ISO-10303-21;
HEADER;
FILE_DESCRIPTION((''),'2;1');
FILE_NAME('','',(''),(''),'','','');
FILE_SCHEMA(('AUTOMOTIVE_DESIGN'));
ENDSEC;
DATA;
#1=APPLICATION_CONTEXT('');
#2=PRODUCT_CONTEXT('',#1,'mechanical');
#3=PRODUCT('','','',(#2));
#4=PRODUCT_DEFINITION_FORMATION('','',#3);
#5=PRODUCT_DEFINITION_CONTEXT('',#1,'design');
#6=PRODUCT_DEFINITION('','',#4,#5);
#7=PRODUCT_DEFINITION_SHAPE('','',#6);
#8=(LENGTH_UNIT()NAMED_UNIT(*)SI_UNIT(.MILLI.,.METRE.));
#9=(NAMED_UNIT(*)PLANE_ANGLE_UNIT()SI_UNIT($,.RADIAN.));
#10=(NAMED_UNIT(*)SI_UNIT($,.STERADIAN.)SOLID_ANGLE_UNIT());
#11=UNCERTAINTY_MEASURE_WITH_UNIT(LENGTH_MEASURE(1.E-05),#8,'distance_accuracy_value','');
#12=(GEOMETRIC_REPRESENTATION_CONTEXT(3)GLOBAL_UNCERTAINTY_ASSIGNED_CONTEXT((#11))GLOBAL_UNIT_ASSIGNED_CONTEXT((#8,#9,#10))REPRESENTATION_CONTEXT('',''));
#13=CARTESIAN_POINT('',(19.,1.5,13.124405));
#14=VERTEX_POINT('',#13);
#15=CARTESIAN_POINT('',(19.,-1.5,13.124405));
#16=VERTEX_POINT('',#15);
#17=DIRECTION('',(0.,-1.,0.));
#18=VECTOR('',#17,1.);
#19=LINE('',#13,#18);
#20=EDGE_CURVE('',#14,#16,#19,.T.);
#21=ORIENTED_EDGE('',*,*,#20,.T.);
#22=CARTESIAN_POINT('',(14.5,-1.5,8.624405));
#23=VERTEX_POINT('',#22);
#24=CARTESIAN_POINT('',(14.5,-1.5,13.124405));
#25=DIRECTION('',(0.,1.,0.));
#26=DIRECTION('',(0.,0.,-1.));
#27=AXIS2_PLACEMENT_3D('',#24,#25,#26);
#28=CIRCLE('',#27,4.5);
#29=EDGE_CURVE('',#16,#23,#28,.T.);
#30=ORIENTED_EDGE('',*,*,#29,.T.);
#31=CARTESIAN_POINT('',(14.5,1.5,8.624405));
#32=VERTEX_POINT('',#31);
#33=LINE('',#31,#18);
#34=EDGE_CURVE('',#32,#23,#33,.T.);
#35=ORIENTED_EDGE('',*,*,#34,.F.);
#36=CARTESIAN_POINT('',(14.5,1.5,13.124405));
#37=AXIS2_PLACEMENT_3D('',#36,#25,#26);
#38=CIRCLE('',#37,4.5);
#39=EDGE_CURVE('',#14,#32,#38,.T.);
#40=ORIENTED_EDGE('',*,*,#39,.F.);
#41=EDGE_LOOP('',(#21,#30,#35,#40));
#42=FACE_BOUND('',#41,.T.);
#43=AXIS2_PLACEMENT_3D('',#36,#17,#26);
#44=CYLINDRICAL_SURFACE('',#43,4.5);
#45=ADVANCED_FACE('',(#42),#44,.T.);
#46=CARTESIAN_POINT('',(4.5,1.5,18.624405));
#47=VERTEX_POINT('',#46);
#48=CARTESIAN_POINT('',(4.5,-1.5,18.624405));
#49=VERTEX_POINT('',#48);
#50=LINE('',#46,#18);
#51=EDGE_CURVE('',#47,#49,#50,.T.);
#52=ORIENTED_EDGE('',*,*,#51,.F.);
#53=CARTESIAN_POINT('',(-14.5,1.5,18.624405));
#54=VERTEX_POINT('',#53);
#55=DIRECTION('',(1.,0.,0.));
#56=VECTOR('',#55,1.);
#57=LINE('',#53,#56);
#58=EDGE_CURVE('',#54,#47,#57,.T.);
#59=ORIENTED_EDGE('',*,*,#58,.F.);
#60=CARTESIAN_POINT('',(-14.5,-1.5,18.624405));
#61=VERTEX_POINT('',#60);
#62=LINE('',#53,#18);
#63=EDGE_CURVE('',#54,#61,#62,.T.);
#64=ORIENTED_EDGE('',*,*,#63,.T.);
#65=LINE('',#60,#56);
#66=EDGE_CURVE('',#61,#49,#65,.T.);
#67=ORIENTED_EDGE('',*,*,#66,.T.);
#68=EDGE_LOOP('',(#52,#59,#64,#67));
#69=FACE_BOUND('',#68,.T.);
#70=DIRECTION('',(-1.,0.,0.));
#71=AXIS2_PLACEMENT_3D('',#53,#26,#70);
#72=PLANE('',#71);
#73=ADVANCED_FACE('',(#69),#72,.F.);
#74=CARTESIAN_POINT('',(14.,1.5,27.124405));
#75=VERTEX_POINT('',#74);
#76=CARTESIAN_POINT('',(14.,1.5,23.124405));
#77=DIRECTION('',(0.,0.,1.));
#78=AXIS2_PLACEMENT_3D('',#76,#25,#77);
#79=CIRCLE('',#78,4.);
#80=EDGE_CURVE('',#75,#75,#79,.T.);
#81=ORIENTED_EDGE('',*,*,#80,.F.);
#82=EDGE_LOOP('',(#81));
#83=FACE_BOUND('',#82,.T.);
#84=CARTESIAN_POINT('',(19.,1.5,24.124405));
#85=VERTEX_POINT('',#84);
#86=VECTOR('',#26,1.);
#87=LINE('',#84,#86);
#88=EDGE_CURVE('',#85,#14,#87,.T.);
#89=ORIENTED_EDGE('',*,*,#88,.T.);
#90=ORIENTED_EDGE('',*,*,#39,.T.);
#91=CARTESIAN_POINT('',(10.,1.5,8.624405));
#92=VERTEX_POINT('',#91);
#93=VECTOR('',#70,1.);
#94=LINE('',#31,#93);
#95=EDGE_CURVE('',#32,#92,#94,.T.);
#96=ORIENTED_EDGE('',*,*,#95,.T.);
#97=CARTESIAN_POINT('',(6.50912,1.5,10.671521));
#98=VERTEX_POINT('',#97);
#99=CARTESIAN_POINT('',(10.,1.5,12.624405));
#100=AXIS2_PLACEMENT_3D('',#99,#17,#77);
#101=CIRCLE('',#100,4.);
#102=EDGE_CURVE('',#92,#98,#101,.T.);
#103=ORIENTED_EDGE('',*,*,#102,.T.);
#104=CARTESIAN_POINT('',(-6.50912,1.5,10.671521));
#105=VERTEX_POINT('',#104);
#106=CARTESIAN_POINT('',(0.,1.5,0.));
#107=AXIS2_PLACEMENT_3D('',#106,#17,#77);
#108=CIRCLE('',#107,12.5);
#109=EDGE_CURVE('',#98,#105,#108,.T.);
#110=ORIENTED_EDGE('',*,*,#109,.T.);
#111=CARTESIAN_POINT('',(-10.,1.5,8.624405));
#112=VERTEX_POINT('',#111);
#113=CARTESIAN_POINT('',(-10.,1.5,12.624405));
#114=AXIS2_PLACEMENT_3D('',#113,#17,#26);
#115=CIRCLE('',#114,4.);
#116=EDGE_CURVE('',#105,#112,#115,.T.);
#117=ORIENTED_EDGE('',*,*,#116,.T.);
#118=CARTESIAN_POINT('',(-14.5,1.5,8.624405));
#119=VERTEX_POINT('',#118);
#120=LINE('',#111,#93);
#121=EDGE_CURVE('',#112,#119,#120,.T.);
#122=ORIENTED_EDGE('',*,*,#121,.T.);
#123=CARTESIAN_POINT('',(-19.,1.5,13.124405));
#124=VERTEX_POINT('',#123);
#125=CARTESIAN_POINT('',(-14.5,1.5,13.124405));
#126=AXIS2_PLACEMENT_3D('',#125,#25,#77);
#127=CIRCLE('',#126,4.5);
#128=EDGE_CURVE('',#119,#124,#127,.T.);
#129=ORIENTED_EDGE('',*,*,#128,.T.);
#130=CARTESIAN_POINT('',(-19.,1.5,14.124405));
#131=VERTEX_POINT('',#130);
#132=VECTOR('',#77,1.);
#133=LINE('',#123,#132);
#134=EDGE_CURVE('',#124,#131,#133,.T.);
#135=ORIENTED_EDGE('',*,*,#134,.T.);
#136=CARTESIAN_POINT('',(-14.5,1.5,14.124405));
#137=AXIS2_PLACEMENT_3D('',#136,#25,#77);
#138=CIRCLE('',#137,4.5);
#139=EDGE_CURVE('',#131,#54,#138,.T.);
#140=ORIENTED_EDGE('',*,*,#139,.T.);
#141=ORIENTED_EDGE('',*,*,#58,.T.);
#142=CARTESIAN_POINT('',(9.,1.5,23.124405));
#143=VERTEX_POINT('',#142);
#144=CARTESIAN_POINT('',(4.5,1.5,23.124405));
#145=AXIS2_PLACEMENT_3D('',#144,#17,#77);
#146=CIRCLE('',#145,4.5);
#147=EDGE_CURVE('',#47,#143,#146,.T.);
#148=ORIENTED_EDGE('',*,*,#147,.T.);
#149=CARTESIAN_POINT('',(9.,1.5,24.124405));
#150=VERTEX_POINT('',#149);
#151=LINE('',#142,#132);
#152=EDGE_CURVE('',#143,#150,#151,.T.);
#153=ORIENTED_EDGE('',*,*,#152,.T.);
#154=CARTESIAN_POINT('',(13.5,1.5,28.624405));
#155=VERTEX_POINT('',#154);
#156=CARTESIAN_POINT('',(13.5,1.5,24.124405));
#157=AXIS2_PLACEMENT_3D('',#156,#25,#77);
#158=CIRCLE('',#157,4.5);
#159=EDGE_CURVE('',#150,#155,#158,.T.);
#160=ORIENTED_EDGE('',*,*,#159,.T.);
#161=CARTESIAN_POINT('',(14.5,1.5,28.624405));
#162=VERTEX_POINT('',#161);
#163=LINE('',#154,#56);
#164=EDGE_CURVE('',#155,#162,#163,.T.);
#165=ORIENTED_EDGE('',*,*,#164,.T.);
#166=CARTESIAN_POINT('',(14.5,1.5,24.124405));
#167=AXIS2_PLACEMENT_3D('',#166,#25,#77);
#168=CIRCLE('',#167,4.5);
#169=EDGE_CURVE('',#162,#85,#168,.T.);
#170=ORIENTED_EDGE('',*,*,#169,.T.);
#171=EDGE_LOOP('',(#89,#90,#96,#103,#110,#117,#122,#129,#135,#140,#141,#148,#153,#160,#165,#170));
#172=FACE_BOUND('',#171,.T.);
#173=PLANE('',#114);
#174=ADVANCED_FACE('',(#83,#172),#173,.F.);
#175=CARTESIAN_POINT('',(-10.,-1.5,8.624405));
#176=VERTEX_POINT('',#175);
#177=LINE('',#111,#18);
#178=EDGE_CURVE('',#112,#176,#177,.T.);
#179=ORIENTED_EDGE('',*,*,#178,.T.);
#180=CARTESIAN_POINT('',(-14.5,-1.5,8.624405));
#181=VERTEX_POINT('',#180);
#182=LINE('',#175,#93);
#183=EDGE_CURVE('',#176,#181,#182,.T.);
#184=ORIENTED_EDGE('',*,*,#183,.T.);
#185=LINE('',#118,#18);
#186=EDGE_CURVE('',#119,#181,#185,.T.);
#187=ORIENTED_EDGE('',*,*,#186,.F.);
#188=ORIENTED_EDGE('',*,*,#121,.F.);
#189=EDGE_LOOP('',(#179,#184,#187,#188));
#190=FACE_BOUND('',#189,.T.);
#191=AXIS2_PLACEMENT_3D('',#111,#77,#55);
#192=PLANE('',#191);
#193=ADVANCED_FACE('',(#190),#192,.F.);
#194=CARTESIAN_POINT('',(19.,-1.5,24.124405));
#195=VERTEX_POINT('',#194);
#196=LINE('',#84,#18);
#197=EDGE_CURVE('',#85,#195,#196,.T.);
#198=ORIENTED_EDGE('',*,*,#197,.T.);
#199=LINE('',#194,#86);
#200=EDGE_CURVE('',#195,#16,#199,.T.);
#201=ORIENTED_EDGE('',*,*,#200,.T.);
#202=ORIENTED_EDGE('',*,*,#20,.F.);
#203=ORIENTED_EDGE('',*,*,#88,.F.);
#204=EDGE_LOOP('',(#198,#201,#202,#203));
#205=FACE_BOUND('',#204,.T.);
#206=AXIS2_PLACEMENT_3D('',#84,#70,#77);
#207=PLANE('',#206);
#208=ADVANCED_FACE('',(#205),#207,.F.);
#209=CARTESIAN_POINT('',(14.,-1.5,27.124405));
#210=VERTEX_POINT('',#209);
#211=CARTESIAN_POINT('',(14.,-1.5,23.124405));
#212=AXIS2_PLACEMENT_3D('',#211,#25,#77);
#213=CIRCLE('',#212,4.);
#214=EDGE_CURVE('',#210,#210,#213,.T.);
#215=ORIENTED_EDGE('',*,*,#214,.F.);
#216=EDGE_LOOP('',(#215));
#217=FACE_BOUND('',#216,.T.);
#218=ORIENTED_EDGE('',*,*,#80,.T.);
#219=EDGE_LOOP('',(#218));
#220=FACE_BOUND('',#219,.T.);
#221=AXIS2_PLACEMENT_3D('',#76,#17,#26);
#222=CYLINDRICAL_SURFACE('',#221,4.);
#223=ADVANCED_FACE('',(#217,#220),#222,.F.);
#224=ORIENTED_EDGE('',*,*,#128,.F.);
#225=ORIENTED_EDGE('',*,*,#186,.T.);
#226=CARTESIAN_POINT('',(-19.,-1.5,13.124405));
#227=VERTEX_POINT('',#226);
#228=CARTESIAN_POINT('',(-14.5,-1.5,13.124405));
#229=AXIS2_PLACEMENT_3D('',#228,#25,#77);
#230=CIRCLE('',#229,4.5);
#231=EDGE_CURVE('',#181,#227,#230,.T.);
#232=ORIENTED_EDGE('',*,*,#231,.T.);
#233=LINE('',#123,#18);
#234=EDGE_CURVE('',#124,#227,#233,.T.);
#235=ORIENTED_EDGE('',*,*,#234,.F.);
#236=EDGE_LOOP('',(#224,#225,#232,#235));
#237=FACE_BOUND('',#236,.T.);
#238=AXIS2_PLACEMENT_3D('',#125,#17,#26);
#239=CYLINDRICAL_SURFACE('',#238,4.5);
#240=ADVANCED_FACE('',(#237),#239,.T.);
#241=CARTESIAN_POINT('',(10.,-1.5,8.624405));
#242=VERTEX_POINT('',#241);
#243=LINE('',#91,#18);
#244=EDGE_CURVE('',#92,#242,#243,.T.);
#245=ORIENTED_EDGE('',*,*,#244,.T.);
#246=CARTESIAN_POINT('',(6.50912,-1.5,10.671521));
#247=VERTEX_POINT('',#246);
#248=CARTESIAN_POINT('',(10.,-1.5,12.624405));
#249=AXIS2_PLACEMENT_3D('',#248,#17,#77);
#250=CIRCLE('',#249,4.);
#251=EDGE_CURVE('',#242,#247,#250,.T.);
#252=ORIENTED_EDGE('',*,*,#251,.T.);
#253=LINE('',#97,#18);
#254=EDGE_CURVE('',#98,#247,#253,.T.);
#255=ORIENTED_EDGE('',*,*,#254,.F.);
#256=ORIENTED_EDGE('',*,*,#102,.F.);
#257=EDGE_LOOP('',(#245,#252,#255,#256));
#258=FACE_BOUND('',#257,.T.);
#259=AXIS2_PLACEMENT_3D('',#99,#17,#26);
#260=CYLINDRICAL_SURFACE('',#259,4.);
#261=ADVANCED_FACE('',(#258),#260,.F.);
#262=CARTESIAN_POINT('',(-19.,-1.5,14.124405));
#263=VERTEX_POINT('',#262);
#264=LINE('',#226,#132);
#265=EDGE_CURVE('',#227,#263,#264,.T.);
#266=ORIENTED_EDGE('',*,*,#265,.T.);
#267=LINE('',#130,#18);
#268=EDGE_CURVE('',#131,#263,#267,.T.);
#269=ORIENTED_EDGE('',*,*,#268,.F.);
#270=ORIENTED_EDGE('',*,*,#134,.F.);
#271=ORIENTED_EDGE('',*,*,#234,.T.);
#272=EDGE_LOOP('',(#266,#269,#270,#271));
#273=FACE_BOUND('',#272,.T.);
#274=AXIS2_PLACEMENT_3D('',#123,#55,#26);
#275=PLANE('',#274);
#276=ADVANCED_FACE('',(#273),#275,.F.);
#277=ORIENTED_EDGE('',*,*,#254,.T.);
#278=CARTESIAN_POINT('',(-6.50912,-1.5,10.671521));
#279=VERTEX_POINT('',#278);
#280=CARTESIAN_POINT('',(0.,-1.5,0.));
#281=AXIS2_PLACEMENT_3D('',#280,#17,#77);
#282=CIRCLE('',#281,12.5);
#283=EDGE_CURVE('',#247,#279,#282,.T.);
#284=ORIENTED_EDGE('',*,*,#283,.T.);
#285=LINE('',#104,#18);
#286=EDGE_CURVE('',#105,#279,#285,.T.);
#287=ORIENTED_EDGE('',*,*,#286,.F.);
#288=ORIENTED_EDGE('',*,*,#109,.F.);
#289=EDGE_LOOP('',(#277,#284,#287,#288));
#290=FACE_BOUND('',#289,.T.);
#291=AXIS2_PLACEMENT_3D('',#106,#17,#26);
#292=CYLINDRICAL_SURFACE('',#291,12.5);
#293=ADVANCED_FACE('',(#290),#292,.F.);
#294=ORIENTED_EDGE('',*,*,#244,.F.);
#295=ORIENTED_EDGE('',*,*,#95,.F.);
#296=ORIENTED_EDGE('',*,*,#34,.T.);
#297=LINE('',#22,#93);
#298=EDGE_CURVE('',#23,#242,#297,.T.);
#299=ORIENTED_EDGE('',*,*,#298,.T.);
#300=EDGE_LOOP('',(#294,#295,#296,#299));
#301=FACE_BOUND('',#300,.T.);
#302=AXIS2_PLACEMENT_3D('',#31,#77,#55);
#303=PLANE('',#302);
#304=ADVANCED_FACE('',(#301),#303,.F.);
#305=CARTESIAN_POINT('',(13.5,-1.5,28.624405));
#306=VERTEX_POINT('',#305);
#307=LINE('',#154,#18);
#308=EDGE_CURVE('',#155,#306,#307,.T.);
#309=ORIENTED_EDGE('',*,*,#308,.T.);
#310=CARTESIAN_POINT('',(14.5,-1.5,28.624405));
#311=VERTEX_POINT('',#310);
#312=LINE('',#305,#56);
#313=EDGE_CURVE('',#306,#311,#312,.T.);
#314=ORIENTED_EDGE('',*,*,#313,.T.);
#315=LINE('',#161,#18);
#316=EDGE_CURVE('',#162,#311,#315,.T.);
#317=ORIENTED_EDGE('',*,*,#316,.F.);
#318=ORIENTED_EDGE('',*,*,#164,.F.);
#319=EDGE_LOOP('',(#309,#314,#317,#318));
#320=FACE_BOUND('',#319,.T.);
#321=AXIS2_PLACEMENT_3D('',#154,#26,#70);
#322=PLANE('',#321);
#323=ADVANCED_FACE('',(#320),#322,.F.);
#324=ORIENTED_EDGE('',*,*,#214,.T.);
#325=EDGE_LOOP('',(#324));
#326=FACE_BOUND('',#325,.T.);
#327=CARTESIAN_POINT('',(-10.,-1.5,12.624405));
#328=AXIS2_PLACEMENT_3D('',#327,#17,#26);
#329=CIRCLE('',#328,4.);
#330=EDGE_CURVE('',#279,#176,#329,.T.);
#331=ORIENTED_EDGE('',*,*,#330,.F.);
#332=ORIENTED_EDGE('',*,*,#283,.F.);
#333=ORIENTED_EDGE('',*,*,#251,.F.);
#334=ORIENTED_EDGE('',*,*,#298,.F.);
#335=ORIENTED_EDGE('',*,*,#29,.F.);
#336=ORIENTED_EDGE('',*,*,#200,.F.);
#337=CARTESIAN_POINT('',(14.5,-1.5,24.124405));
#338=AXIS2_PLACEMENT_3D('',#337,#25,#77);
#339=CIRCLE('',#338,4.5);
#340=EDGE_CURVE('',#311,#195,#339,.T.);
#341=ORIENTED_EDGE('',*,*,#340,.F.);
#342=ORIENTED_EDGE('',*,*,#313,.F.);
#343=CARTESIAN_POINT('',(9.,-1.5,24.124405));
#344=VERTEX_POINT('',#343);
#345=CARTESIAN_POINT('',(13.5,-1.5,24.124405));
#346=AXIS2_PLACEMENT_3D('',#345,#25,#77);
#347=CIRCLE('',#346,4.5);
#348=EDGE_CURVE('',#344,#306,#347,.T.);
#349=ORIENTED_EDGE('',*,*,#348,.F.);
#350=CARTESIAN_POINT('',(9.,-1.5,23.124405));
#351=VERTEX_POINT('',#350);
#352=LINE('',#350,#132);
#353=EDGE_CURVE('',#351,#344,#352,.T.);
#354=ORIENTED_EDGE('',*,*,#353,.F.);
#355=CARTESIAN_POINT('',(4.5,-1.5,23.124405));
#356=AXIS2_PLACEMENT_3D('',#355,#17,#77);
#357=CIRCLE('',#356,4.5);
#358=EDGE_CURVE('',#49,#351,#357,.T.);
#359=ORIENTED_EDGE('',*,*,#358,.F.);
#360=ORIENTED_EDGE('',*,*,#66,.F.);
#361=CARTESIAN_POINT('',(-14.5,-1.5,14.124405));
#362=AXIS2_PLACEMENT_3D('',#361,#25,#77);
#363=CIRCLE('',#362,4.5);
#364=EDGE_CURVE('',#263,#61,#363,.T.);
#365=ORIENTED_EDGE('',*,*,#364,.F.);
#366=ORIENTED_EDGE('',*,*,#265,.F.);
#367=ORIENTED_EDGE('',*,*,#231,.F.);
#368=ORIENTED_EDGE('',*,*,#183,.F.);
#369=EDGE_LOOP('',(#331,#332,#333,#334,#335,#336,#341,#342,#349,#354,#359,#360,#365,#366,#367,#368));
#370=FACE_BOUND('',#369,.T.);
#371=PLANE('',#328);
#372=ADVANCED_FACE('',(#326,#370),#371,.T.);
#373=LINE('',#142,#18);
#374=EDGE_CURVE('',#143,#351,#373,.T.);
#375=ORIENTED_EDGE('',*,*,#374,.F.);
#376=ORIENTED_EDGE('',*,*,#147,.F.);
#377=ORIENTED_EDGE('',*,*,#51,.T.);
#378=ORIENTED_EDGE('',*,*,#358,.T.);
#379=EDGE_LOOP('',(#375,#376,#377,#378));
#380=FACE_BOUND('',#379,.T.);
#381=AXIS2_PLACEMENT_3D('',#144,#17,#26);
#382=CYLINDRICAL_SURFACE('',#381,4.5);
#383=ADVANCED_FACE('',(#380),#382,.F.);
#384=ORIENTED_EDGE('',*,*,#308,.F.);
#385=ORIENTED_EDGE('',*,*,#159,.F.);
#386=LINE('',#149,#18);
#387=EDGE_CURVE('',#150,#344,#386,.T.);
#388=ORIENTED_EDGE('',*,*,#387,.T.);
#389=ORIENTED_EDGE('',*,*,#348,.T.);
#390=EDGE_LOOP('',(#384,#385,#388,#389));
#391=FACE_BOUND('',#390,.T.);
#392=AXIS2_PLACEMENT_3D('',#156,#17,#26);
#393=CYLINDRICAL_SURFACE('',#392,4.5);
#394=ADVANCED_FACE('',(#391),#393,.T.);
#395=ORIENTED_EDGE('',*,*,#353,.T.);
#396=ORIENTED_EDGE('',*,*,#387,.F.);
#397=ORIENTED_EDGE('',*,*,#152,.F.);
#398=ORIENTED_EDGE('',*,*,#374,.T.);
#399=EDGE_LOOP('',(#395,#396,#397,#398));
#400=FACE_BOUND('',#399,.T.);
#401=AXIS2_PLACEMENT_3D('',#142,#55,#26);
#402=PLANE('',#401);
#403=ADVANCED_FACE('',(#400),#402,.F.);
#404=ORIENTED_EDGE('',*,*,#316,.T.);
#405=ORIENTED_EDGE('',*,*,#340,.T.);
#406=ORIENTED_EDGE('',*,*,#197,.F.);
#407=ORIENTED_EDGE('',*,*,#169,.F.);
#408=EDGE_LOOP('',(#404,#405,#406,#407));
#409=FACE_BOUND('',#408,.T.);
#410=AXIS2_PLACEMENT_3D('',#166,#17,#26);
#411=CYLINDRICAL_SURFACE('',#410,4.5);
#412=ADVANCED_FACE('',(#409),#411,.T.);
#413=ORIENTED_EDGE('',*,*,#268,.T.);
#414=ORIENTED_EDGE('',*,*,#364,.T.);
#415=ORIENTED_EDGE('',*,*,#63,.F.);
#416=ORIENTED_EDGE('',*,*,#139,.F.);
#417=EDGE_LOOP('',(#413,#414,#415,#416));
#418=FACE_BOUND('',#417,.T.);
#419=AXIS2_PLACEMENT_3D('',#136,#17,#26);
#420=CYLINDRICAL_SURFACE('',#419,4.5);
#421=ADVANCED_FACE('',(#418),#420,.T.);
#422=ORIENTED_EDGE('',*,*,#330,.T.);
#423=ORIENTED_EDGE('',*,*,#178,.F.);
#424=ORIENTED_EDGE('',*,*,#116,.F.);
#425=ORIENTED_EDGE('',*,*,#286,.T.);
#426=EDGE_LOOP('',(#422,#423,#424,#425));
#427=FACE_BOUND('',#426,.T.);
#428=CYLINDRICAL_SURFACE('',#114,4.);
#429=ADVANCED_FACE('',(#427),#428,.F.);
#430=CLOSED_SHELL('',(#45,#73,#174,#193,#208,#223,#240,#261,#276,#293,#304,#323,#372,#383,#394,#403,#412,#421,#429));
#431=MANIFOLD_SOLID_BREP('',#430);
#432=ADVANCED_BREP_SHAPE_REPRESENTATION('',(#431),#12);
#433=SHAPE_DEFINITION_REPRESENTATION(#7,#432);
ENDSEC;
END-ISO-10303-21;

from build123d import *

# Parameters (mm, degrees)
SKETCH1_R           = 4
BOSS_EXTRUDE1_DEPTH = 1.5


with BuildPart() as part:
    # Sketch1 → Boss-Extrude1 (new, symmetric)
    with BuildSketch(Plane(origin=(0, 0, 0), x_dir=(1, 0, 0), z_dir=(0, 1, 0))):
        with BuildLine():
            Line((-10, -8.624404748), (-14.5, -8.624404748))
            ThreePointArc((-14.5, -8.624404748), (-17.681980515, -9.942424233), (-19, -13.124404748))
            Line((-19, -13.124404748), (-19, -14.124404748))
            ThreePointArc((-19, -14.124404748), (-17.681980515, -17.306385264), (-14.5, -18.624404748))
            Line((-14.5, -18.624404748), (4.5, -18.624404748))
            ThreePointArc((4.5, -18.624404748), (7.681980515, -19.942424233), (9, -23.124404748))
            Line((9, -23.124404748), (9, -24.124404748))
            ThreePointArc((9, -24.124404748), (10.318019485, -27.306385264), (13.5, -28.624404748))
            Line((13.5, -28.624404748), (14.5, -28.624404748))
            ThreePointArc((14.5, -28.624404748), (17.681980515, -27.306385264), (19, -24.124404748))
            Line((19, -24.124404748), (19, -13.124404748))
            ThreePointArc((19, -13.124404748), (17.681980515, -9.942424233), (14.5, -8.624404748))
            Line((14.5, -8.624404748), (10, -8.624404748))
            ThreePointArc((10, -8.624404748), (12.023420987, -16.074878268), (6.509119733, -10.671520993))
            ThreePointArc((6.509119733, -10.671520993), (0, -12.5), (-6.509119733, -10.671520993))
            ThreePointArc((-6.509119733, -10.671520993), (-12.023420987, -16.074878268), (-10, -8.624404748))
        make_face()
        with Locations(Location((14, -23.124404748, 0), (0, 0, 270))):
            Circle(SKETCH1_R, mode=Mode.SUBTRACT)
    extrude(amount=BOSS_EXTRUDE1_DEPTH, both=True)


solid = part.part
